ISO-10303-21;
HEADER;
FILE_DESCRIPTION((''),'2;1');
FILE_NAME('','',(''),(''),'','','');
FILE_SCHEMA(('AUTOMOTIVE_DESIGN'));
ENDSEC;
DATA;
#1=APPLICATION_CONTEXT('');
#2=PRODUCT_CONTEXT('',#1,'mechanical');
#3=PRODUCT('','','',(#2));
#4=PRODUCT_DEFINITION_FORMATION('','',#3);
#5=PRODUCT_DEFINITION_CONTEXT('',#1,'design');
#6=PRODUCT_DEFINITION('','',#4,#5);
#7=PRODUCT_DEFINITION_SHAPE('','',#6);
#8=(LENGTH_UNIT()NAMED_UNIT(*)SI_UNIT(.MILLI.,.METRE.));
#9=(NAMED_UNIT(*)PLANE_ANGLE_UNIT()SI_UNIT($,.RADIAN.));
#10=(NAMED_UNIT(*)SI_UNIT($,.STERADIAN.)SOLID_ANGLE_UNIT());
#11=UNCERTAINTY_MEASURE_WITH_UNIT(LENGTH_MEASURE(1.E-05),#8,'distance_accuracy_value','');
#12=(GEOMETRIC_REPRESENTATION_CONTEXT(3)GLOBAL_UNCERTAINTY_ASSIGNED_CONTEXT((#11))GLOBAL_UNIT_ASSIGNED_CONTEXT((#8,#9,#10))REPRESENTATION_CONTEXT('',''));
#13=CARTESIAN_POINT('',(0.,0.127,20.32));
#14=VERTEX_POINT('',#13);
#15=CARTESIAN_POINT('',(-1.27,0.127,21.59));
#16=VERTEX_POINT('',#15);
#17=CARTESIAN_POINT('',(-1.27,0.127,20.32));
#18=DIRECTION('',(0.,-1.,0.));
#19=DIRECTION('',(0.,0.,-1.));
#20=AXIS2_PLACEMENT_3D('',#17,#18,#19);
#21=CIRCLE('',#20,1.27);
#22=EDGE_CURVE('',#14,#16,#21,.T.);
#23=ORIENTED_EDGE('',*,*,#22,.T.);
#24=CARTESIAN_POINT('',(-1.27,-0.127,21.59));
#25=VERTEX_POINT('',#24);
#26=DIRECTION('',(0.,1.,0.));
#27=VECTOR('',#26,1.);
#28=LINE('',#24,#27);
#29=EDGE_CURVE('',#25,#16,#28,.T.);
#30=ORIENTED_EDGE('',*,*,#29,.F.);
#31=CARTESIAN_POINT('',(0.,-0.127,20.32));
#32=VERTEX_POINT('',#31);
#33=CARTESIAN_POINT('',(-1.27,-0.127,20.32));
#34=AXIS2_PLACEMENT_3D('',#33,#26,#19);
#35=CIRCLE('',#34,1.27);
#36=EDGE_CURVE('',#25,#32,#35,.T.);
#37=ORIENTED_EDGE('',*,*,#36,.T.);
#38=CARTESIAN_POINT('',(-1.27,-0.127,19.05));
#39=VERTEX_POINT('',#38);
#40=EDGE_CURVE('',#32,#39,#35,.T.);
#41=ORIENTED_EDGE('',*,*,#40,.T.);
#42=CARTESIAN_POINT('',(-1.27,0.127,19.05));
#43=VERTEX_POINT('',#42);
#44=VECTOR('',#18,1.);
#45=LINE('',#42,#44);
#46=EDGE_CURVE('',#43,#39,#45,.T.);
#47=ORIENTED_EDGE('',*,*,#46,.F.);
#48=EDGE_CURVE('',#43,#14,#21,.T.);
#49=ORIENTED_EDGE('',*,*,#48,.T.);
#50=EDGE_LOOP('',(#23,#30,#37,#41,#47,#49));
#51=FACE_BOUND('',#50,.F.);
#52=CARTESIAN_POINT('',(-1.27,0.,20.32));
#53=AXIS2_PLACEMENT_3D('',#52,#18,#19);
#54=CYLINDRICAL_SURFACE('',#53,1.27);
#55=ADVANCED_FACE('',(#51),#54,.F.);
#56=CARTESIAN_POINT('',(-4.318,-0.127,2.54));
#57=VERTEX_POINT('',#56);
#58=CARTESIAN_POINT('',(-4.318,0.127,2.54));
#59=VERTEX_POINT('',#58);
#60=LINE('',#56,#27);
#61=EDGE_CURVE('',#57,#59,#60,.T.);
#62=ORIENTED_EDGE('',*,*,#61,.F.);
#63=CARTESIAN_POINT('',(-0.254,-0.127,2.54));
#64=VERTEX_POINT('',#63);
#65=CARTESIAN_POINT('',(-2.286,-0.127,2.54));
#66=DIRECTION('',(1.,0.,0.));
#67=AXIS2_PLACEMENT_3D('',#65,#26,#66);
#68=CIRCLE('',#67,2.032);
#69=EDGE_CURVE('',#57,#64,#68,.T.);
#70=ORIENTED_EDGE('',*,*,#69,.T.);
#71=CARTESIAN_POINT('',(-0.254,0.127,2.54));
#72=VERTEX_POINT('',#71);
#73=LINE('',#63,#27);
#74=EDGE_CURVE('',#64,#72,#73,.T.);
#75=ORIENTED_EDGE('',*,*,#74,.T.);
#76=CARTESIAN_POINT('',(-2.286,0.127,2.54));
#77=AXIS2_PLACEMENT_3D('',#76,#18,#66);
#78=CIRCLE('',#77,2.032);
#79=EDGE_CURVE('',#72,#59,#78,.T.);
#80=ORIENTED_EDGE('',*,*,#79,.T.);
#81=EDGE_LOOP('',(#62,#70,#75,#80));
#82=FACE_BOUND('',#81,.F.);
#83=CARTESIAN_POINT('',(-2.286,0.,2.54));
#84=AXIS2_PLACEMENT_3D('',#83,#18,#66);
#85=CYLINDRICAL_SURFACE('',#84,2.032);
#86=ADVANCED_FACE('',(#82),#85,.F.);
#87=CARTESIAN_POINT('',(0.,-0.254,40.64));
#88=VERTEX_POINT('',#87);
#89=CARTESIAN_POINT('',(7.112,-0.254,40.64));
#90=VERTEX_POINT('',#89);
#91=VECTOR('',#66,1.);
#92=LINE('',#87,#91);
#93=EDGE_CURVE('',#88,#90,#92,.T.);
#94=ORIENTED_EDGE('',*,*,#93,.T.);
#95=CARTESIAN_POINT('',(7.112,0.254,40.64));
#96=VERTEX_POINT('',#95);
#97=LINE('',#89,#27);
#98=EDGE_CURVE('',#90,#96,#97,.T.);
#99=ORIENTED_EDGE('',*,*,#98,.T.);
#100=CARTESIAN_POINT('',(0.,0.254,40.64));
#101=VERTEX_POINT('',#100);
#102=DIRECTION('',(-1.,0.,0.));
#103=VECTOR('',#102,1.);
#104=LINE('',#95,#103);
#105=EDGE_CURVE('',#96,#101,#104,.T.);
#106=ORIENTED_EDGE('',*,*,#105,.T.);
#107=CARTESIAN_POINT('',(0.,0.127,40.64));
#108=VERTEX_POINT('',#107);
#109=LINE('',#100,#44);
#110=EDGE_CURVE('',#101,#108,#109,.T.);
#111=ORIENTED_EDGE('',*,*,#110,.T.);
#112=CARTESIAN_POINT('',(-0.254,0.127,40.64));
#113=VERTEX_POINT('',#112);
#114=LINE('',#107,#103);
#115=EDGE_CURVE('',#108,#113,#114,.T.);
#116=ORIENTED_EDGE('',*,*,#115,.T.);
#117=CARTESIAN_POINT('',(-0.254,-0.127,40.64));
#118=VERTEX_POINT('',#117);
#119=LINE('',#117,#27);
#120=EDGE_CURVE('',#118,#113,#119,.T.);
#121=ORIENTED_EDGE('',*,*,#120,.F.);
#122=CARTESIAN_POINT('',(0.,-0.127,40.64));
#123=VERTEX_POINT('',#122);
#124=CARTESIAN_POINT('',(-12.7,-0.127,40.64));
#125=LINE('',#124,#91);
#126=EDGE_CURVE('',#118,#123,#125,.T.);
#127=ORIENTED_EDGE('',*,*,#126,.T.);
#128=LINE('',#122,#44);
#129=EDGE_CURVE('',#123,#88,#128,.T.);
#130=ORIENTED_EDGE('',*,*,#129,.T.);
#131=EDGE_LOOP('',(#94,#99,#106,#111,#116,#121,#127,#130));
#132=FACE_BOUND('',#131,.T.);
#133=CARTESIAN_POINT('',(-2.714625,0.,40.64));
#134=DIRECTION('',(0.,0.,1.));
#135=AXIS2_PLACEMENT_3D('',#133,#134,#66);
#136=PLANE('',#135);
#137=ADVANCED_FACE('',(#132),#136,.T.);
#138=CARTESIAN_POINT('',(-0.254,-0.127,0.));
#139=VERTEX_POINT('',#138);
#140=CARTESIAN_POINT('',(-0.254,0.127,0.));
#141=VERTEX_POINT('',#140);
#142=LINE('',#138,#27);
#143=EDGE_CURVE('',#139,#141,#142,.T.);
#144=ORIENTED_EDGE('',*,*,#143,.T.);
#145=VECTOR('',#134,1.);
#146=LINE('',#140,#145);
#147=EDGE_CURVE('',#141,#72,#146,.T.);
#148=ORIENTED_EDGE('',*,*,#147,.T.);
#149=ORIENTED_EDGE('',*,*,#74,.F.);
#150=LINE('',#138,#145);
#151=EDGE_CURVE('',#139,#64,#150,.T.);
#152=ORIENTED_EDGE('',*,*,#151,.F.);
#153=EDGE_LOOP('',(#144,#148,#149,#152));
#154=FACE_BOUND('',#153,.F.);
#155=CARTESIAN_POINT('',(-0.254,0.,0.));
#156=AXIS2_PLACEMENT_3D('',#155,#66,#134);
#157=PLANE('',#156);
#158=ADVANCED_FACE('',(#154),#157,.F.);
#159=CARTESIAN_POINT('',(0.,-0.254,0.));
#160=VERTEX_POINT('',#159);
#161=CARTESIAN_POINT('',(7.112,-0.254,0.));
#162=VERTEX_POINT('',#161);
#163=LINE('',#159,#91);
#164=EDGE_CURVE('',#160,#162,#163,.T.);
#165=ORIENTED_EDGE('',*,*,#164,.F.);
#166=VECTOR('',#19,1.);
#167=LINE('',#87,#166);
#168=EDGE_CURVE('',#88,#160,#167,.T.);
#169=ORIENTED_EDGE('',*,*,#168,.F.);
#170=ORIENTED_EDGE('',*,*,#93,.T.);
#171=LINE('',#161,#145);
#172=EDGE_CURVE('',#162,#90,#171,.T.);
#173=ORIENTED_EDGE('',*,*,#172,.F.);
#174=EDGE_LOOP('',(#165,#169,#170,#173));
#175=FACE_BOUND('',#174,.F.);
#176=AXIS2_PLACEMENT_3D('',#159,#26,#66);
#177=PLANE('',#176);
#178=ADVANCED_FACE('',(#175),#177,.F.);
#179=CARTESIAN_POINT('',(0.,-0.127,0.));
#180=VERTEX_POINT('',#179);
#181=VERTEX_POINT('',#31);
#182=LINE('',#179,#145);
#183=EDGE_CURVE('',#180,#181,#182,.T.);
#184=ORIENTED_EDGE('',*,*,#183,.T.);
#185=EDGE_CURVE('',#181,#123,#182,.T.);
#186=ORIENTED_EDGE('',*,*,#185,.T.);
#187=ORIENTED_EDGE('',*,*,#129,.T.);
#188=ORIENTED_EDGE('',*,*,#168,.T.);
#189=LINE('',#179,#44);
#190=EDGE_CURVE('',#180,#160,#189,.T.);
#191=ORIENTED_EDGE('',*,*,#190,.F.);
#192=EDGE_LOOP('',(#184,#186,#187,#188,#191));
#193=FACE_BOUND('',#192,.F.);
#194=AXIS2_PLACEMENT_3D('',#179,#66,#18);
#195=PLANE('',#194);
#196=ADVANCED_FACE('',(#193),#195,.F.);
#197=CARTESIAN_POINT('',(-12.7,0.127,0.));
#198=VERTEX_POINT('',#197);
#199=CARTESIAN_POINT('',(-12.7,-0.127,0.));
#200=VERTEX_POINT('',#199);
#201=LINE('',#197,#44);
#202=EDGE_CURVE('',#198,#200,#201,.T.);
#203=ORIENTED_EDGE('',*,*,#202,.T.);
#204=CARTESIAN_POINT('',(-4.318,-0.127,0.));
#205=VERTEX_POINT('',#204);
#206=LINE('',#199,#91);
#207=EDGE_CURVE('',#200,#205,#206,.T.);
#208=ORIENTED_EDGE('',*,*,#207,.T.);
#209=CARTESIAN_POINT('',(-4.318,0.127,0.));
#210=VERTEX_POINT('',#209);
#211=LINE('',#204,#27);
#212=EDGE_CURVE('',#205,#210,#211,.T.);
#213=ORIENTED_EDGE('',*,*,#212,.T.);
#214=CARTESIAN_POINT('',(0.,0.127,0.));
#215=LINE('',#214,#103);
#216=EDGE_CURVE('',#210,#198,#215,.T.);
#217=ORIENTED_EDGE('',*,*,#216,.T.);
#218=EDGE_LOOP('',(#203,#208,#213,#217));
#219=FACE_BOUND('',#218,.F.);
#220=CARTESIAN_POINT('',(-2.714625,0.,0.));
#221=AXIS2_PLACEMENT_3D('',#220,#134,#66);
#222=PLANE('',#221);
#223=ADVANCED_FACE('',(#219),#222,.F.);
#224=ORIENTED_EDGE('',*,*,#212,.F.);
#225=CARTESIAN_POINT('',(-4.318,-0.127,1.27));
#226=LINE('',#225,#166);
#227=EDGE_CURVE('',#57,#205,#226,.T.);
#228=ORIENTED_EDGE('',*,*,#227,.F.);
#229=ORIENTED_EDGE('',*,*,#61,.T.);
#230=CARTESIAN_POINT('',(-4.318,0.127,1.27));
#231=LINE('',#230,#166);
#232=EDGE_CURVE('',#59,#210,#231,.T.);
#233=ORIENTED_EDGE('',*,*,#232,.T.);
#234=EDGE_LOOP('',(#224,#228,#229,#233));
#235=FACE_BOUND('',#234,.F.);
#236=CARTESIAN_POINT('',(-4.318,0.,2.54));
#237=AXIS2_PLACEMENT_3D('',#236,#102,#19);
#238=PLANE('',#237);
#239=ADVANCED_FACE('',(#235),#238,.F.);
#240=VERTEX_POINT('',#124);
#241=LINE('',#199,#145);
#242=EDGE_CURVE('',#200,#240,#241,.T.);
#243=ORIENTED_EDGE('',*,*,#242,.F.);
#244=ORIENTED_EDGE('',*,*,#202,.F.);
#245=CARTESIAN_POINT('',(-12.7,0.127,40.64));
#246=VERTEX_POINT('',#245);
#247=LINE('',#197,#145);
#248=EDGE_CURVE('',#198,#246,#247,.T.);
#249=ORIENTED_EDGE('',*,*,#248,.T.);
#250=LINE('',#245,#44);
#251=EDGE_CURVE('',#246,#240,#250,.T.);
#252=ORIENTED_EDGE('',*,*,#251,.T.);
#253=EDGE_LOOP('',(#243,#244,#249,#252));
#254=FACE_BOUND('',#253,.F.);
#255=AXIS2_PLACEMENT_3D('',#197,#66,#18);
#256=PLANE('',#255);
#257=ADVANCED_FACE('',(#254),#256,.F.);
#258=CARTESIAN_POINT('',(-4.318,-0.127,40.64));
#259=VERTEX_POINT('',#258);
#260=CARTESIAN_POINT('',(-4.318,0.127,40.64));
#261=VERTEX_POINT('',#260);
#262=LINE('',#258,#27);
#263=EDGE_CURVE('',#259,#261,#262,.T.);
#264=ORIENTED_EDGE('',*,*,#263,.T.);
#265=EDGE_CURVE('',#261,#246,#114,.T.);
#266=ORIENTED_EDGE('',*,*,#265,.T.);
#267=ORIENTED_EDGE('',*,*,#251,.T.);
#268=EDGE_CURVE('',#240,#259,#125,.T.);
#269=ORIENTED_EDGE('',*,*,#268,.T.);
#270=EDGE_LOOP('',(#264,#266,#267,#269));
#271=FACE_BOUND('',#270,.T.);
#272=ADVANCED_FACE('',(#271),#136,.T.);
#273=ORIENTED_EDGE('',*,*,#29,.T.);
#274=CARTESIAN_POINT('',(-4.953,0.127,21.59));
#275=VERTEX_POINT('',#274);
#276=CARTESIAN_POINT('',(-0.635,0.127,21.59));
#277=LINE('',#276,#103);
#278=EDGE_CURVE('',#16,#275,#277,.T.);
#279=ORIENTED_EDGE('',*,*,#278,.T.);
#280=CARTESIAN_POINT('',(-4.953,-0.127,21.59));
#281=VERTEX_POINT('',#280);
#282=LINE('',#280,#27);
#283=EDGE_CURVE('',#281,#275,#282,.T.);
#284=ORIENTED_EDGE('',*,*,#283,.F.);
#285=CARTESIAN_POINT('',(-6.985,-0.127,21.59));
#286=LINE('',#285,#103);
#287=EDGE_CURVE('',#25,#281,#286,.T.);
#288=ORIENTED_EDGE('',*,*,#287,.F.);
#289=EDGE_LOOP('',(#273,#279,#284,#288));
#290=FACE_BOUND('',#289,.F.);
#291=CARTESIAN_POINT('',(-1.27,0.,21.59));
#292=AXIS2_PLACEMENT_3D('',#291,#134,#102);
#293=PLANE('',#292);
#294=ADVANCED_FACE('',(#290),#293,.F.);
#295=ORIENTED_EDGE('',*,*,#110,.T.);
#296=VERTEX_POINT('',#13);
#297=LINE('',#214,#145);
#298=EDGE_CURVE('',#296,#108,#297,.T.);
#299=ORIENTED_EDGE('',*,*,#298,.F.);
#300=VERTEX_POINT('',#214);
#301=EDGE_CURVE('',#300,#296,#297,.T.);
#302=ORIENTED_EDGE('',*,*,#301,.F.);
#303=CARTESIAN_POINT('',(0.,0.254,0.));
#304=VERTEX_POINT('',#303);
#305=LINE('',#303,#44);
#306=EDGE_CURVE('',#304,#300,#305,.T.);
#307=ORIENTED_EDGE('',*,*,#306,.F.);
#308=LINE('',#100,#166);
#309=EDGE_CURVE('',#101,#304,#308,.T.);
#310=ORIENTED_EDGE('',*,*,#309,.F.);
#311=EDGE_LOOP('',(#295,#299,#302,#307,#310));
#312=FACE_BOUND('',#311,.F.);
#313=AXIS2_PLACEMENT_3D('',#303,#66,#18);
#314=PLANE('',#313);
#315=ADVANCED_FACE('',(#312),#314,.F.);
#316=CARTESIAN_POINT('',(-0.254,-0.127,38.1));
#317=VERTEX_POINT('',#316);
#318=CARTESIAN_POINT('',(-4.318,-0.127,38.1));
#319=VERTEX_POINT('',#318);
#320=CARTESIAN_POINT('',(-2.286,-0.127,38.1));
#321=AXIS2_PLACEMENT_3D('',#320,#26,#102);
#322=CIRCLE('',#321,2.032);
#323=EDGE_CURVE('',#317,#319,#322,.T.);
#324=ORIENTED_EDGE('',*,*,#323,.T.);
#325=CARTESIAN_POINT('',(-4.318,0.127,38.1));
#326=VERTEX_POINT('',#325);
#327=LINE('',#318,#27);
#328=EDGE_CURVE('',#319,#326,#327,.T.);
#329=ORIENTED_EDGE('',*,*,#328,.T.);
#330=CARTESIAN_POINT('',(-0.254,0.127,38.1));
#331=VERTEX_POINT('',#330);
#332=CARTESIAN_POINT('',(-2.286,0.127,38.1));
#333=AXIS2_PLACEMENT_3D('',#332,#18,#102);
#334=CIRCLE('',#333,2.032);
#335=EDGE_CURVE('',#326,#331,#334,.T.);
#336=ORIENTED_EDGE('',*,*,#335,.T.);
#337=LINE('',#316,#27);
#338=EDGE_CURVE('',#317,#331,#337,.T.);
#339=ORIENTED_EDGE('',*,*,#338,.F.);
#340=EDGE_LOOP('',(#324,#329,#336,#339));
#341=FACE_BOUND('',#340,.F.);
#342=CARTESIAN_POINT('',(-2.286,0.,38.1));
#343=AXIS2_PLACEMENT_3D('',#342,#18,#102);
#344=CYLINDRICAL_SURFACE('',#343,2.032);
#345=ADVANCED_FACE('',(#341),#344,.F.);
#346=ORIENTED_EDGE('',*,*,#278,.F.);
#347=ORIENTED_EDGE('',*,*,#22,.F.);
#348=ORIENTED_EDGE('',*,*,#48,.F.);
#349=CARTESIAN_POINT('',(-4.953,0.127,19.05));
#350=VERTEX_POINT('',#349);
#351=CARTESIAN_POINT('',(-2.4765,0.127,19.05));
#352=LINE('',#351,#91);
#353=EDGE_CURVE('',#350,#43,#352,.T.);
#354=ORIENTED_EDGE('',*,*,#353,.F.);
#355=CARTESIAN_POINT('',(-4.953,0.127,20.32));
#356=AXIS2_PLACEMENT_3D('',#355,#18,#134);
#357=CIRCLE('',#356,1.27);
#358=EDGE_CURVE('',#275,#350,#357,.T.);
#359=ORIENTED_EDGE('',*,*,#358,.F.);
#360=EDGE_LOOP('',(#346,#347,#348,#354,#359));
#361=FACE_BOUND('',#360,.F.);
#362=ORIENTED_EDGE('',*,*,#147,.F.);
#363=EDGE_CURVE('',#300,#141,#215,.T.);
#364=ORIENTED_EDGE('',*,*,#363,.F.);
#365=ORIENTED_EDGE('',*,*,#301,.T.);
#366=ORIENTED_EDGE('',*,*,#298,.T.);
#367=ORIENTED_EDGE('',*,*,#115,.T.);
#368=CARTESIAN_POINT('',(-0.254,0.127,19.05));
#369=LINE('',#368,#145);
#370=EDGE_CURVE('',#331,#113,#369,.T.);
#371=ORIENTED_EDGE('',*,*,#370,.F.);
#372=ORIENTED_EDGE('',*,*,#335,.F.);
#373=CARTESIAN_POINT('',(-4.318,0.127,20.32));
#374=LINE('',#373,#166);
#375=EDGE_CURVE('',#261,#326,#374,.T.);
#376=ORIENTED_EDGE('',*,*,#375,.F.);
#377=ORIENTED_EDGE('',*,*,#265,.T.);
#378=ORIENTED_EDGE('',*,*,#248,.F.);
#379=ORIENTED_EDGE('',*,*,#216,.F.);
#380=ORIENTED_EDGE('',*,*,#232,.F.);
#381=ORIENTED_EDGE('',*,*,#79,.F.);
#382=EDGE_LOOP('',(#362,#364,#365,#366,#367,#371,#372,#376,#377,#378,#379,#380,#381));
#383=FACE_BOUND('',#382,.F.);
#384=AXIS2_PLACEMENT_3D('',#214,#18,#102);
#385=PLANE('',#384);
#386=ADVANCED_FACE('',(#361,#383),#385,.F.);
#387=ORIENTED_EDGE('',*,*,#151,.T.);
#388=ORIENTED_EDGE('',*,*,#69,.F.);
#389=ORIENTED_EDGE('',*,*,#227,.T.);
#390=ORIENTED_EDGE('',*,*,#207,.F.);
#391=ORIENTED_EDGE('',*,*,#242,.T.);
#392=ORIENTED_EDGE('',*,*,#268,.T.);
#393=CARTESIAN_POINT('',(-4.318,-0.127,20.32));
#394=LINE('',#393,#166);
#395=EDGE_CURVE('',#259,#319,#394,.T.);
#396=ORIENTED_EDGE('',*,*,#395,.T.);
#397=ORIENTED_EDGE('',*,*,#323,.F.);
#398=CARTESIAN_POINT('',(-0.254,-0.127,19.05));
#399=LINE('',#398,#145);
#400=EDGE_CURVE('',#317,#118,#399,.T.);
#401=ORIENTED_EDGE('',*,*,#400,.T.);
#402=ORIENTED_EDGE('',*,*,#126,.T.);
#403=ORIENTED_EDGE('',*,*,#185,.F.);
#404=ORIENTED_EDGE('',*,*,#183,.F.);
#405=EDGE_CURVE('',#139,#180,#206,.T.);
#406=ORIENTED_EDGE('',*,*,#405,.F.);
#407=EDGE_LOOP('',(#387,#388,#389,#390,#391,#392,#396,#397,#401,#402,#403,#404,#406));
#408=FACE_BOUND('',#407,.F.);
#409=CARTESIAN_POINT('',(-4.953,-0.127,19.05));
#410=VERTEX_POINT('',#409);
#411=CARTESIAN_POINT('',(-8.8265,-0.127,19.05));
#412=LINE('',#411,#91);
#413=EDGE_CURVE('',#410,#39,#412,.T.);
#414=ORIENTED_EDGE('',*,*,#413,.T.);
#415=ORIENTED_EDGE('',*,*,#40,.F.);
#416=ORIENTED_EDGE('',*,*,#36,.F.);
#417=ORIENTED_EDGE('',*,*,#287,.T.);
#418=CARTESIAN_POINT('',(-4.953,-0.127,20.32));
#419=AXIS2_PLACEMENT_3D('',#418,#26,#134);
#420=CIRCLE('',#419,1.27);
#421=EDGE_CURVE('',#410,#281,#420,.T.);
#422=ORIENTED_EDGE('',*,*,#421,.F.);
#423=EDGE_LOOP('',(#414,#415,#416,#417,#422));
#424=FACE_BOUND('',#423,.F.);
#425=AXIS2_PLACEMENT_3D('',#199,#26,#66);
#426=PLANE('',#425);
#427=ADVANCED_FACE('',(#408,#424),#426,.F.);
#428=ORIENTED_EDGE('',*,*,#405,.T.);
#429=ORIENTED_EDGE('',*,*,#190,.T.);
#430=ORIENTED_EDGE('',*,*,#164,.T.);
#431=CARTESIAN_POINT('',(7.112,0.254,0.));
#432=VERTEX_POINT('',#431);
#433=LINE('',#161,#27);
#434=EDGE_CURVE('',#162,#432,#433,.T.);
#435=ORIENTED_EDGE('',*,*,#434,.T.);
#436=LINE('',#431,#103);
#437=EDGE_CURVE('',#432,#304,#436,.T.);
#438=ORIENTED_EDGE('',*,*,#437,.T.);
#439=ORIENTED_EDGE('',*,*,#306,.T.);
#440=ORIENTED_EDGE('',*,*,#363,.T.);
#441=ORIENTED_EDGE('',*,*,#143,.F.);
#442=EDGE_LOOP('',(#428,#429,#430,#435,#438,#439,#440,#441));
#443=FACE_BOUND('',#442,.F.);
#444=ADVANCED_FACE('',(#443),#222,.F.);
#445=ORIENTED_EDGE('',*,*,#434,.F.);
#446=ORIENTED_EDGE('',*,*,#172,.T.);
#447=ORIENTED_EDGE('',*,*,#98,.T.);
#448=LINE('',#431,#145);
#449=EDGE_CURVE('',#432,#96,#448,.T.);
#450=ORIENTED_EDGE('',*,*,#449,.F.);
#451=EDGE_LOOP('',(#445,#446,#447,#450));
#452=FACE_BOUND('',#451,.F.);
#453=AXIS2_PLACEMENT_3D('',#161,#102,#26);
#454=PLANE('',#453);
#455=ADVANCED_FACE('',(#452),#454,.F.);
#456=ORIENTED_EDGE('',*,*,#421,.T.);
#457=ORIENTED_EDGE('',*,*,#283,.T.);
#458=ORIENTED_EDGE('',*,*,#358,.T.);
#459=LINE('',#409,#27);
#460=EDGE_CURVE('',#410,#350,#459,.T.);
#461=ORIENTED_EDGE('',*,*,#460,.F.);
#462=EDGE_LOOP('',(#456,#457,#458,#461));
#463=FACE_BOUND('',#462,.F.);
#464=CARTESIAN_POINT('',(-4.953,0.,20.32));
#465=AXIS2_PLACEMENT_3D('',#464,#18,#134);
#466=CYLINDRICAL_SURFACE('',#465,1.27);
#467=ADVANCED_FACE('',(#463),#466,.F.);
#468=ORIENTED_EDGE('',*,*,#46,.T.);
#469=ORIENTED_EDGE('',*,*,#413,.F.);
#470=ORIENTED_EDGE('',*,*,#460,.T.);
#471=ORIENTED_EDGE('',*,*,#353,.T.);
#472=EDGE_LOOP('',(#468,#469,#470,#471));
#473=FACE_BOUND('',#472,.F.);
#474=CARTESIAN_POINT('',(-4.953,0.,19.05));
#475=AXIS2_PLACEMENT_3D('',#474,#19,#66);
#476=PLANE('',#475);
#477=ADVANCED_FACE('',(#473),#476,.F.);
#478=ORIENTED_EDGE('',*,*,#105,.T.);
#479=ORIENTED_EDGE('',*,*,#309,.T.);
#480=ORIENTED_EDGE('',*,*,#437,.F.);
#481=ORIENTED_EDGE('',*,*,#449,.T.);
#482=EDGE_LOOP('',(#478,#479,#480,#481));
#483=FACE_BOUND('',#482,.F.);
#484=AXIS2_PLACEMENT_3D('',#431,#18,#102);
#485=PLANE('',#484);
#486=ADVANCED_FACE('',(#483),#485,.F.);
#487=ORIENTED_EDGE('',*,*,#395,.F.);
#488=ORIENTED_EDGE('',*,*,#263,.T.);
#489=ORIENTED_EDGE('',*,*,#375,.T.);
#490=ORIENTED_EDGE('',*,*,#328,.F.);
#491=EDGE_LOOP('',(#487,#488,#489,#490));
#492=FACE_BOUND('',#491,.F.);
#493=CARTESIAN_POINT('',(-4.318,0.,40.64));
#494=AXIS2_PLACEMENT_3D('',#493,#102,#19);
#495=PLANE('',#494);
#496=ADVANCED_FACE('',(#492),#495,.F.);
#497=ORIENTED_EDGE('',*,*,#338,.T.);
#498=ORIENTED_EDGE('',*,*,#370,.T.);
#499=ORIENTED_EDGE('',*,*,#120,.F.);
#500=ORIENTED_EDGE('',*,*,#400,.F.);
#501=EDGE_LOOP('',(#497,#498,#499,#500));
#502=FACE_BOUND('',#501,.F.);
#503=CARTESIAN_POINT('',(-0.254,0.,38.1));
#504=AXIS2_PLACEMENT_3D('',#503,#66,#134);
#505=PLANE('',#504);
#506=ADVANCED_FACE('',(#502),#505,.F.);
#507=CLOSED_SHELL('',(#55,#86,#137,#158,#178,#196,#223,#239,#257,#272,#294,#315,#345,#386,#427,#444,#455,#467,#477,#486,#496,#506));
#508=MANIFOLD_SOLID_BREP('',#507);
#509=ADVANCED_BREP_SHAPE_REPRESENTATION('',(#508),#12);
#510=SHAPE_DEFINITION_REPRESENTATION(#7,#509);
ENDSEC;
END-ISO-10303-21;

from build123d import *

# Parameters (mm, degrees)
F1_DEPTH      = 40.64
F3_DEPTH      = 0.255
F3_DEPTH_BACK = 0.255


with BuildPart() as f1:
    # F0 (on Top) → F1 (new body)
    with BuildSketch(Plane.XY):
        Polygon((0, 0.127), (-12.7, 0.127), (-12.7, -0.127), (0, -0.127), (0, -0.254), (7.112, -0.254), (7.112, 0.254), (0, 0.254), align=None)
    extrude(amount=F1_DEPTH)

    # F2 (on Front) → F3 (cut, two sides)
    with BuildSketch(Plane.XZ) as f3_sk:
        with BuildLine():
            Line((-4.318, 40.64), (-4.318, 38.1))
            ThreePointArc((-4.318, 38.1), (-2.286, 36.068), (-0.254, 38.1))
            Line((-0.254, 38.1), (-0.254, 40.64))
            Line((-0.254, 40.64), (-4.318, 40.64))
        make_face()
        with BuildLine():
            Line((-4.318, 2.54), (-4.318, 0))
            Line((-4.318, 0), (-0.254, 0))
            Line((-0.254, 0), (-0.254, 2.54))
            ThreePointArc((-0.254, 2.54), (-2.286, 4.572), (-4.318, 2.54))
        make_face()
        with BuildLine():
            Line((-1.27, 21.59), (-4.953, 21.59))
            ThreePointArc((-4.953, 21.59), (-6.223, 20.32), (-4.953, 19.05))
            Line((-4.953, 19.05), (-1.27, 19.05))
            ThreePointArc((-1.27, 19.05), (0, 20.32), (-1.27, 21.59))
        make_face()
    extrude(amount=-F3_DEPTH, mode=Mode.SUBTRACT)
    extrude(f3_sk.sketch, amount=F3_DEPTH_BACK, mode=Mode.SUBTRACT)


solid = f1.part
